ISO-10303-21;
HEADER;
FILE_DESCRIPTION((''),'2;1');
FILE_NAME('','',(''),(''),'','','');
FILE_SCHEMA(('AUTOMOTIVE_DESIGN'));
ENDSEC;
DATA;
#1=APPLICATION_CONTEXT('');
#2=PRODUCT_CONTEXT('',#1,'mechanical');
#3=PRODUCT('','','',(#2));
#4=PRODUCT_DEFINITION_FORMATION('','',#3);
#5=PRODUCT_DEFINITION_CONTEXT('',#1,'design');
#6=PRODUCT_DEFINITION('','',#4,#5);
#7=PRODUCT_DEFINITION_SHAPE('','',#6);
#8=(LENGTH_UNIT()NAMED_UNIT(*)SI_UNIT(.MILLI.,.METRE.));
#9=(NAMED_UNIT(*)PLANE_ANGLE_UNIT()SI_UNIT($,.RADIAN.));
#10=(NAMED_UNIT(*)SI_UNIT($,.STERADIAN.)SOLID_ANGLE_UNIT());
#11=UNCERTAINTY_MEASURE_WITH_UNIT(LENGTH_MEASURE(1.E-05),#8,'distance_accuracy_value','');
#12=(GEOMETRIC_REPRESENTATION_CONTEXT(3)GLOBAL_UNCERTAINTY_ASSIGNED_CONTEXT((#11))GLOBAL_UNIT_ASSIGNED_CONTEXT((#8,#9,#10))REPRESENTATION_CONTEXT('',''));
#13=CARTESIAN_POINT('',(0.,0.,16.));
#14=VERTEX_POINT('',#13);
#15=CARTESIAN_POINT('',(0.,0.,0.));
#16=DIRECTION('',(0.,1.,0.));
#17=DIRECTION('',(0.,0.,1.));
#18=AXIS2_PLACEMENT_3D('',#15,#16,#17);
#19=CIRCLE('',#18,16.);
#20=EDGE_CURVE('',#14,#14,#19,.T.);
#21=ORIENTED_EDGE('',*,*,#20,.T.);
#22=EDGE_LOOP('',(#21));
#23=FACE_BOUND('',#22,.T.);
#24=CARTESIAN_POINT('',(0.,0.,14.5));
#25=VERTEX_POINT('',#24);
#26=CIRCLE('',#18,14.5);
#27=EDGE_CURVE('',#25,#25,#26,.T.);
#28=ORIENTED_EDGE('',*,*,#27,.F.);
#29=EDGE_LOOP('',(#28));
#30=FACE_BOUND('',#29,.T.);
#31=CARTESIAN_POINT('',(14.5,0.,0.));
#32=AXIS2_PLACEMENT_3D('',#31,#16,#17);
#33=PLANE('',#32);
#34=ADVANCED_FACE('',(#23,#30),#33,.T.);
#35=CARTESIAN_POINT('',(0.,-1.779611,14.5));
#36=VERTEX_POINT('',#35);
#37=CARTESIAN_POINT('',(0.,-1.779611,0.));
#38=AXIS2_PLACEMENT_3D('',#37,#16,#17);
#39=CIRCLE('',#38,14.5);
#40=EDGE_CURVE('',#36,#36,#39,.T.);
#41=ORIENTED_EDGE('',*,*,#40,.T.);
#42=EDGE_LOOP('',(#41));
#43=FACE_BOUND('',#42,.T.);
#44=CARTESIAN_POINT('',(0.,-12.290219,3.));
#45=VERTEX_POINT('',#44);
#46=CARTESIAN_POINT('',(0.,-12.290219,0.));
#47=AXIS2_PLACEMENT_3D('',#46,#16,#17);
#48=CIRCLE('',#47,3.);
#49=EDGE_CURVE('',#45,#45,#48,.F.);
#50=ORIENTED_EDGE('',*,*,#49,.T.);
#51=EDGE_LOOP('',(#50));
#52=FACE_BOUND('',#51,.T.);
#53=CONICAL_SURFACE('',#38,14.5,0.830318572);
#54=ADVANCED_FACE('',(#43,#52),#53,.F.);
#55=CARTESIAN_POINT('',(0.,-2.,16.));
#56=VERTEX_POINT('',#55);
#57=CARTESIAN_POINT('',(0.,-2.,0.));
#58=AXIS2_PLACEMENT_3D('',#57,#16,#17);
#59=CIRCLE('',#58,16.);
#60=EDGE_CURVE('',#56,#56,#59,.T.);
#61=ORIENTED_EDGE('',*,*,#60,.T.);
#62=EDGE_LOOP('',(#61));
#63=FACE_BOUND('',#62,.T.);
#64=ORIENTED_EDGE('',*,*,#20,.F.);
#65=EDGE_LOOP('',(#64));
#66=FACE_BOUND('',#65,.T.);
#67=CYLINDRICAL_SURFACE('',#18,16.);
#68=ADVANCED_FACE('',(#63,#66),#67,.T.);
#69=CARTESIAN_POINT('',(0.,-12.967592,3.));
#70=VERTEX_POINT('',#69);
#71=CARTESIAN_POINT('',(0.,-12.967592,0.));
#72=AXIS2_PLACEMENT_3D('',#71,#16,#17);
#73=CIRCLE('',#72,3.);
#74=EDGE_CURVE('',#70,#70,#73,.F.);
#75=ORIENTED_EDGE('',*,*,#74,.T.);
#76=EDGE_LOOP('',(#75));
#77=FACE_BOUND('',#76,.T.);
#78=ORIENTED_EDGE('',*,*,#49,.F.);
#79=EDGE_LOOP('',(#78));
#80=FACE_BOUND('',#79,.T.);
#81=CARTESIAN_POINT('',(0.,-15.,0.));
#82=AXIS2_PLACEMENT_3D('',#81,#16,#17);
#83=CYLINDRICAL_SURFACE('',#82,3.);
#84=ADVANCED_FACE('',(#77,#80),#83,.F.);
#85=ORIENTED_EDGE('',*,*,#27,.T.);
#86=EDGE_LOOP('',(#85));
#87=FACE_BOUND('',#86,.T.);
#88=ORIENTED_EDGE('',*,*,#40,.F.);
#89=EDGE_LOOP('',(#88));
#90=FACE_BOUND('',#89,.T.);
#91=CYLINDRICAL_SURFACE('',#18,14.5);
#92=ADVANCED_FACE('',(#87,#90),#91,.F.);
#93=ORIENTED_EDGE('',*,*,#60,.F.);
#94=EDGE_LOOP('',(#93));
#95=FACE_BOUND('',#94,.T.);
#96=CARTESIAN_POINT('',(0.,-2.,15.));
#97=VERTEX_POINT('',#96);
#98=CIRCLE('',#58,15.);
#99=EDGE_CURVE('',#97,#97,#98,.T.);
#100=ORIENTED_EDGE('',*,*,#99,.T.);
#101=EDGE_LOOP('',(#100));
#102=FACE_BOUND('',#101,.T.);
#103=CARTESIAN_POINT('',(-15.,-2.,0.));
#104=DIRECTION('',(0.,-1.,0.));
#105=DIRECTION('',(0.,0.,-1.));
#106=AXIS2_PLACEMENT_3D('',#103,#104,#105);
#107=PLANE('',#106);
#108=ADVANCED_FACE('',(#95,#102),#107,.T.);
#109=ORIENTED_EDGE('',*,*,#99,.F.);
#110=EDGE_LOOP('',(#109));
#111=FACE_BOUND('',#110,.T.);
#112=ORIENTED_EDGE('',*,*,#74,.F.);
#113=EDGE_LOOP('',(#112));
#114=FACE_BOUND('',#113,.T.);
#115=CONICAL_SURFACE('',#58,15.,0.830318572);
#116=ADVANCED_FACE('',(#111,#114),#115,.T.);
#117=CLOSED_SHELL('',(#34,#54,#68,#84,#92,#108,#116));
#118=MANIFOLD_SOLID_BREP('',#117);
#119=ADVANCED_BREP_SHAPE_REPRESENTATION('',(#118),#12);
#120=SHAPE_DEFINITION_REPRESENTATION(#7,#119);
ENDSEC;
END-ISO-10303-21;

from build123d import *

# Parameters (mm, degrees)
SKETCH2_W          = 1
SKETCH2_H          = 2
SKETCH3_R          = 3
CUT_EXTRUDE1_DEPTH = 16


with BuildPart() as part:
    # Sketch1 → Revolve-Thin1 (revolve)
    with BuildSketch(Plane.XY):
        with BuildLine():
            Line((15, 0), (15, -2))
            Line((15, -2), (1.349281284, -14.47629266))
            ThreePointArc((1.349281284, -14.47629266), (0.723676268, -14.864481874), (0, -15))
            Line((0, -15), (0, -14.5))
            ThreePointArc((0, -14.5), (0.542757201, -14.398361406), (1.011960963, -14.107219495))
            Line((1.011960963, -14.107219495), (14.5, -1.779610529))
            Line((14.5, -1.779610529), (14.5, 0))
            Line((14.5, 0), (15, 0))
        make_face()
    revolve(axis=Axis((0, 0, 0), (0, -1, 0)))

    # Sketch2 → Revolve1 (revolve)
    with BuildSketch(Plane.XY):
        with Locations((-15.5, -1)):
            Rectangle(SKETCH2_W, SKETCH2_H)
    revolve(axis=Axis((0, 0, 0), (0, -1, 0)))

    # Sketch3 → Cut-Extrude1 (cut, through all)
    with BuildSketch(Plane(origin=(0, 0, 0), x_dir=(-1, 0, 0), z_dir=(0, 1, 0))):
        Circle(SKETCH3_R)
    extrude(amount=-CUT_EXTRUDE1_DEPTH, mode=Mode.SUBTRACT)


solid = part.part
